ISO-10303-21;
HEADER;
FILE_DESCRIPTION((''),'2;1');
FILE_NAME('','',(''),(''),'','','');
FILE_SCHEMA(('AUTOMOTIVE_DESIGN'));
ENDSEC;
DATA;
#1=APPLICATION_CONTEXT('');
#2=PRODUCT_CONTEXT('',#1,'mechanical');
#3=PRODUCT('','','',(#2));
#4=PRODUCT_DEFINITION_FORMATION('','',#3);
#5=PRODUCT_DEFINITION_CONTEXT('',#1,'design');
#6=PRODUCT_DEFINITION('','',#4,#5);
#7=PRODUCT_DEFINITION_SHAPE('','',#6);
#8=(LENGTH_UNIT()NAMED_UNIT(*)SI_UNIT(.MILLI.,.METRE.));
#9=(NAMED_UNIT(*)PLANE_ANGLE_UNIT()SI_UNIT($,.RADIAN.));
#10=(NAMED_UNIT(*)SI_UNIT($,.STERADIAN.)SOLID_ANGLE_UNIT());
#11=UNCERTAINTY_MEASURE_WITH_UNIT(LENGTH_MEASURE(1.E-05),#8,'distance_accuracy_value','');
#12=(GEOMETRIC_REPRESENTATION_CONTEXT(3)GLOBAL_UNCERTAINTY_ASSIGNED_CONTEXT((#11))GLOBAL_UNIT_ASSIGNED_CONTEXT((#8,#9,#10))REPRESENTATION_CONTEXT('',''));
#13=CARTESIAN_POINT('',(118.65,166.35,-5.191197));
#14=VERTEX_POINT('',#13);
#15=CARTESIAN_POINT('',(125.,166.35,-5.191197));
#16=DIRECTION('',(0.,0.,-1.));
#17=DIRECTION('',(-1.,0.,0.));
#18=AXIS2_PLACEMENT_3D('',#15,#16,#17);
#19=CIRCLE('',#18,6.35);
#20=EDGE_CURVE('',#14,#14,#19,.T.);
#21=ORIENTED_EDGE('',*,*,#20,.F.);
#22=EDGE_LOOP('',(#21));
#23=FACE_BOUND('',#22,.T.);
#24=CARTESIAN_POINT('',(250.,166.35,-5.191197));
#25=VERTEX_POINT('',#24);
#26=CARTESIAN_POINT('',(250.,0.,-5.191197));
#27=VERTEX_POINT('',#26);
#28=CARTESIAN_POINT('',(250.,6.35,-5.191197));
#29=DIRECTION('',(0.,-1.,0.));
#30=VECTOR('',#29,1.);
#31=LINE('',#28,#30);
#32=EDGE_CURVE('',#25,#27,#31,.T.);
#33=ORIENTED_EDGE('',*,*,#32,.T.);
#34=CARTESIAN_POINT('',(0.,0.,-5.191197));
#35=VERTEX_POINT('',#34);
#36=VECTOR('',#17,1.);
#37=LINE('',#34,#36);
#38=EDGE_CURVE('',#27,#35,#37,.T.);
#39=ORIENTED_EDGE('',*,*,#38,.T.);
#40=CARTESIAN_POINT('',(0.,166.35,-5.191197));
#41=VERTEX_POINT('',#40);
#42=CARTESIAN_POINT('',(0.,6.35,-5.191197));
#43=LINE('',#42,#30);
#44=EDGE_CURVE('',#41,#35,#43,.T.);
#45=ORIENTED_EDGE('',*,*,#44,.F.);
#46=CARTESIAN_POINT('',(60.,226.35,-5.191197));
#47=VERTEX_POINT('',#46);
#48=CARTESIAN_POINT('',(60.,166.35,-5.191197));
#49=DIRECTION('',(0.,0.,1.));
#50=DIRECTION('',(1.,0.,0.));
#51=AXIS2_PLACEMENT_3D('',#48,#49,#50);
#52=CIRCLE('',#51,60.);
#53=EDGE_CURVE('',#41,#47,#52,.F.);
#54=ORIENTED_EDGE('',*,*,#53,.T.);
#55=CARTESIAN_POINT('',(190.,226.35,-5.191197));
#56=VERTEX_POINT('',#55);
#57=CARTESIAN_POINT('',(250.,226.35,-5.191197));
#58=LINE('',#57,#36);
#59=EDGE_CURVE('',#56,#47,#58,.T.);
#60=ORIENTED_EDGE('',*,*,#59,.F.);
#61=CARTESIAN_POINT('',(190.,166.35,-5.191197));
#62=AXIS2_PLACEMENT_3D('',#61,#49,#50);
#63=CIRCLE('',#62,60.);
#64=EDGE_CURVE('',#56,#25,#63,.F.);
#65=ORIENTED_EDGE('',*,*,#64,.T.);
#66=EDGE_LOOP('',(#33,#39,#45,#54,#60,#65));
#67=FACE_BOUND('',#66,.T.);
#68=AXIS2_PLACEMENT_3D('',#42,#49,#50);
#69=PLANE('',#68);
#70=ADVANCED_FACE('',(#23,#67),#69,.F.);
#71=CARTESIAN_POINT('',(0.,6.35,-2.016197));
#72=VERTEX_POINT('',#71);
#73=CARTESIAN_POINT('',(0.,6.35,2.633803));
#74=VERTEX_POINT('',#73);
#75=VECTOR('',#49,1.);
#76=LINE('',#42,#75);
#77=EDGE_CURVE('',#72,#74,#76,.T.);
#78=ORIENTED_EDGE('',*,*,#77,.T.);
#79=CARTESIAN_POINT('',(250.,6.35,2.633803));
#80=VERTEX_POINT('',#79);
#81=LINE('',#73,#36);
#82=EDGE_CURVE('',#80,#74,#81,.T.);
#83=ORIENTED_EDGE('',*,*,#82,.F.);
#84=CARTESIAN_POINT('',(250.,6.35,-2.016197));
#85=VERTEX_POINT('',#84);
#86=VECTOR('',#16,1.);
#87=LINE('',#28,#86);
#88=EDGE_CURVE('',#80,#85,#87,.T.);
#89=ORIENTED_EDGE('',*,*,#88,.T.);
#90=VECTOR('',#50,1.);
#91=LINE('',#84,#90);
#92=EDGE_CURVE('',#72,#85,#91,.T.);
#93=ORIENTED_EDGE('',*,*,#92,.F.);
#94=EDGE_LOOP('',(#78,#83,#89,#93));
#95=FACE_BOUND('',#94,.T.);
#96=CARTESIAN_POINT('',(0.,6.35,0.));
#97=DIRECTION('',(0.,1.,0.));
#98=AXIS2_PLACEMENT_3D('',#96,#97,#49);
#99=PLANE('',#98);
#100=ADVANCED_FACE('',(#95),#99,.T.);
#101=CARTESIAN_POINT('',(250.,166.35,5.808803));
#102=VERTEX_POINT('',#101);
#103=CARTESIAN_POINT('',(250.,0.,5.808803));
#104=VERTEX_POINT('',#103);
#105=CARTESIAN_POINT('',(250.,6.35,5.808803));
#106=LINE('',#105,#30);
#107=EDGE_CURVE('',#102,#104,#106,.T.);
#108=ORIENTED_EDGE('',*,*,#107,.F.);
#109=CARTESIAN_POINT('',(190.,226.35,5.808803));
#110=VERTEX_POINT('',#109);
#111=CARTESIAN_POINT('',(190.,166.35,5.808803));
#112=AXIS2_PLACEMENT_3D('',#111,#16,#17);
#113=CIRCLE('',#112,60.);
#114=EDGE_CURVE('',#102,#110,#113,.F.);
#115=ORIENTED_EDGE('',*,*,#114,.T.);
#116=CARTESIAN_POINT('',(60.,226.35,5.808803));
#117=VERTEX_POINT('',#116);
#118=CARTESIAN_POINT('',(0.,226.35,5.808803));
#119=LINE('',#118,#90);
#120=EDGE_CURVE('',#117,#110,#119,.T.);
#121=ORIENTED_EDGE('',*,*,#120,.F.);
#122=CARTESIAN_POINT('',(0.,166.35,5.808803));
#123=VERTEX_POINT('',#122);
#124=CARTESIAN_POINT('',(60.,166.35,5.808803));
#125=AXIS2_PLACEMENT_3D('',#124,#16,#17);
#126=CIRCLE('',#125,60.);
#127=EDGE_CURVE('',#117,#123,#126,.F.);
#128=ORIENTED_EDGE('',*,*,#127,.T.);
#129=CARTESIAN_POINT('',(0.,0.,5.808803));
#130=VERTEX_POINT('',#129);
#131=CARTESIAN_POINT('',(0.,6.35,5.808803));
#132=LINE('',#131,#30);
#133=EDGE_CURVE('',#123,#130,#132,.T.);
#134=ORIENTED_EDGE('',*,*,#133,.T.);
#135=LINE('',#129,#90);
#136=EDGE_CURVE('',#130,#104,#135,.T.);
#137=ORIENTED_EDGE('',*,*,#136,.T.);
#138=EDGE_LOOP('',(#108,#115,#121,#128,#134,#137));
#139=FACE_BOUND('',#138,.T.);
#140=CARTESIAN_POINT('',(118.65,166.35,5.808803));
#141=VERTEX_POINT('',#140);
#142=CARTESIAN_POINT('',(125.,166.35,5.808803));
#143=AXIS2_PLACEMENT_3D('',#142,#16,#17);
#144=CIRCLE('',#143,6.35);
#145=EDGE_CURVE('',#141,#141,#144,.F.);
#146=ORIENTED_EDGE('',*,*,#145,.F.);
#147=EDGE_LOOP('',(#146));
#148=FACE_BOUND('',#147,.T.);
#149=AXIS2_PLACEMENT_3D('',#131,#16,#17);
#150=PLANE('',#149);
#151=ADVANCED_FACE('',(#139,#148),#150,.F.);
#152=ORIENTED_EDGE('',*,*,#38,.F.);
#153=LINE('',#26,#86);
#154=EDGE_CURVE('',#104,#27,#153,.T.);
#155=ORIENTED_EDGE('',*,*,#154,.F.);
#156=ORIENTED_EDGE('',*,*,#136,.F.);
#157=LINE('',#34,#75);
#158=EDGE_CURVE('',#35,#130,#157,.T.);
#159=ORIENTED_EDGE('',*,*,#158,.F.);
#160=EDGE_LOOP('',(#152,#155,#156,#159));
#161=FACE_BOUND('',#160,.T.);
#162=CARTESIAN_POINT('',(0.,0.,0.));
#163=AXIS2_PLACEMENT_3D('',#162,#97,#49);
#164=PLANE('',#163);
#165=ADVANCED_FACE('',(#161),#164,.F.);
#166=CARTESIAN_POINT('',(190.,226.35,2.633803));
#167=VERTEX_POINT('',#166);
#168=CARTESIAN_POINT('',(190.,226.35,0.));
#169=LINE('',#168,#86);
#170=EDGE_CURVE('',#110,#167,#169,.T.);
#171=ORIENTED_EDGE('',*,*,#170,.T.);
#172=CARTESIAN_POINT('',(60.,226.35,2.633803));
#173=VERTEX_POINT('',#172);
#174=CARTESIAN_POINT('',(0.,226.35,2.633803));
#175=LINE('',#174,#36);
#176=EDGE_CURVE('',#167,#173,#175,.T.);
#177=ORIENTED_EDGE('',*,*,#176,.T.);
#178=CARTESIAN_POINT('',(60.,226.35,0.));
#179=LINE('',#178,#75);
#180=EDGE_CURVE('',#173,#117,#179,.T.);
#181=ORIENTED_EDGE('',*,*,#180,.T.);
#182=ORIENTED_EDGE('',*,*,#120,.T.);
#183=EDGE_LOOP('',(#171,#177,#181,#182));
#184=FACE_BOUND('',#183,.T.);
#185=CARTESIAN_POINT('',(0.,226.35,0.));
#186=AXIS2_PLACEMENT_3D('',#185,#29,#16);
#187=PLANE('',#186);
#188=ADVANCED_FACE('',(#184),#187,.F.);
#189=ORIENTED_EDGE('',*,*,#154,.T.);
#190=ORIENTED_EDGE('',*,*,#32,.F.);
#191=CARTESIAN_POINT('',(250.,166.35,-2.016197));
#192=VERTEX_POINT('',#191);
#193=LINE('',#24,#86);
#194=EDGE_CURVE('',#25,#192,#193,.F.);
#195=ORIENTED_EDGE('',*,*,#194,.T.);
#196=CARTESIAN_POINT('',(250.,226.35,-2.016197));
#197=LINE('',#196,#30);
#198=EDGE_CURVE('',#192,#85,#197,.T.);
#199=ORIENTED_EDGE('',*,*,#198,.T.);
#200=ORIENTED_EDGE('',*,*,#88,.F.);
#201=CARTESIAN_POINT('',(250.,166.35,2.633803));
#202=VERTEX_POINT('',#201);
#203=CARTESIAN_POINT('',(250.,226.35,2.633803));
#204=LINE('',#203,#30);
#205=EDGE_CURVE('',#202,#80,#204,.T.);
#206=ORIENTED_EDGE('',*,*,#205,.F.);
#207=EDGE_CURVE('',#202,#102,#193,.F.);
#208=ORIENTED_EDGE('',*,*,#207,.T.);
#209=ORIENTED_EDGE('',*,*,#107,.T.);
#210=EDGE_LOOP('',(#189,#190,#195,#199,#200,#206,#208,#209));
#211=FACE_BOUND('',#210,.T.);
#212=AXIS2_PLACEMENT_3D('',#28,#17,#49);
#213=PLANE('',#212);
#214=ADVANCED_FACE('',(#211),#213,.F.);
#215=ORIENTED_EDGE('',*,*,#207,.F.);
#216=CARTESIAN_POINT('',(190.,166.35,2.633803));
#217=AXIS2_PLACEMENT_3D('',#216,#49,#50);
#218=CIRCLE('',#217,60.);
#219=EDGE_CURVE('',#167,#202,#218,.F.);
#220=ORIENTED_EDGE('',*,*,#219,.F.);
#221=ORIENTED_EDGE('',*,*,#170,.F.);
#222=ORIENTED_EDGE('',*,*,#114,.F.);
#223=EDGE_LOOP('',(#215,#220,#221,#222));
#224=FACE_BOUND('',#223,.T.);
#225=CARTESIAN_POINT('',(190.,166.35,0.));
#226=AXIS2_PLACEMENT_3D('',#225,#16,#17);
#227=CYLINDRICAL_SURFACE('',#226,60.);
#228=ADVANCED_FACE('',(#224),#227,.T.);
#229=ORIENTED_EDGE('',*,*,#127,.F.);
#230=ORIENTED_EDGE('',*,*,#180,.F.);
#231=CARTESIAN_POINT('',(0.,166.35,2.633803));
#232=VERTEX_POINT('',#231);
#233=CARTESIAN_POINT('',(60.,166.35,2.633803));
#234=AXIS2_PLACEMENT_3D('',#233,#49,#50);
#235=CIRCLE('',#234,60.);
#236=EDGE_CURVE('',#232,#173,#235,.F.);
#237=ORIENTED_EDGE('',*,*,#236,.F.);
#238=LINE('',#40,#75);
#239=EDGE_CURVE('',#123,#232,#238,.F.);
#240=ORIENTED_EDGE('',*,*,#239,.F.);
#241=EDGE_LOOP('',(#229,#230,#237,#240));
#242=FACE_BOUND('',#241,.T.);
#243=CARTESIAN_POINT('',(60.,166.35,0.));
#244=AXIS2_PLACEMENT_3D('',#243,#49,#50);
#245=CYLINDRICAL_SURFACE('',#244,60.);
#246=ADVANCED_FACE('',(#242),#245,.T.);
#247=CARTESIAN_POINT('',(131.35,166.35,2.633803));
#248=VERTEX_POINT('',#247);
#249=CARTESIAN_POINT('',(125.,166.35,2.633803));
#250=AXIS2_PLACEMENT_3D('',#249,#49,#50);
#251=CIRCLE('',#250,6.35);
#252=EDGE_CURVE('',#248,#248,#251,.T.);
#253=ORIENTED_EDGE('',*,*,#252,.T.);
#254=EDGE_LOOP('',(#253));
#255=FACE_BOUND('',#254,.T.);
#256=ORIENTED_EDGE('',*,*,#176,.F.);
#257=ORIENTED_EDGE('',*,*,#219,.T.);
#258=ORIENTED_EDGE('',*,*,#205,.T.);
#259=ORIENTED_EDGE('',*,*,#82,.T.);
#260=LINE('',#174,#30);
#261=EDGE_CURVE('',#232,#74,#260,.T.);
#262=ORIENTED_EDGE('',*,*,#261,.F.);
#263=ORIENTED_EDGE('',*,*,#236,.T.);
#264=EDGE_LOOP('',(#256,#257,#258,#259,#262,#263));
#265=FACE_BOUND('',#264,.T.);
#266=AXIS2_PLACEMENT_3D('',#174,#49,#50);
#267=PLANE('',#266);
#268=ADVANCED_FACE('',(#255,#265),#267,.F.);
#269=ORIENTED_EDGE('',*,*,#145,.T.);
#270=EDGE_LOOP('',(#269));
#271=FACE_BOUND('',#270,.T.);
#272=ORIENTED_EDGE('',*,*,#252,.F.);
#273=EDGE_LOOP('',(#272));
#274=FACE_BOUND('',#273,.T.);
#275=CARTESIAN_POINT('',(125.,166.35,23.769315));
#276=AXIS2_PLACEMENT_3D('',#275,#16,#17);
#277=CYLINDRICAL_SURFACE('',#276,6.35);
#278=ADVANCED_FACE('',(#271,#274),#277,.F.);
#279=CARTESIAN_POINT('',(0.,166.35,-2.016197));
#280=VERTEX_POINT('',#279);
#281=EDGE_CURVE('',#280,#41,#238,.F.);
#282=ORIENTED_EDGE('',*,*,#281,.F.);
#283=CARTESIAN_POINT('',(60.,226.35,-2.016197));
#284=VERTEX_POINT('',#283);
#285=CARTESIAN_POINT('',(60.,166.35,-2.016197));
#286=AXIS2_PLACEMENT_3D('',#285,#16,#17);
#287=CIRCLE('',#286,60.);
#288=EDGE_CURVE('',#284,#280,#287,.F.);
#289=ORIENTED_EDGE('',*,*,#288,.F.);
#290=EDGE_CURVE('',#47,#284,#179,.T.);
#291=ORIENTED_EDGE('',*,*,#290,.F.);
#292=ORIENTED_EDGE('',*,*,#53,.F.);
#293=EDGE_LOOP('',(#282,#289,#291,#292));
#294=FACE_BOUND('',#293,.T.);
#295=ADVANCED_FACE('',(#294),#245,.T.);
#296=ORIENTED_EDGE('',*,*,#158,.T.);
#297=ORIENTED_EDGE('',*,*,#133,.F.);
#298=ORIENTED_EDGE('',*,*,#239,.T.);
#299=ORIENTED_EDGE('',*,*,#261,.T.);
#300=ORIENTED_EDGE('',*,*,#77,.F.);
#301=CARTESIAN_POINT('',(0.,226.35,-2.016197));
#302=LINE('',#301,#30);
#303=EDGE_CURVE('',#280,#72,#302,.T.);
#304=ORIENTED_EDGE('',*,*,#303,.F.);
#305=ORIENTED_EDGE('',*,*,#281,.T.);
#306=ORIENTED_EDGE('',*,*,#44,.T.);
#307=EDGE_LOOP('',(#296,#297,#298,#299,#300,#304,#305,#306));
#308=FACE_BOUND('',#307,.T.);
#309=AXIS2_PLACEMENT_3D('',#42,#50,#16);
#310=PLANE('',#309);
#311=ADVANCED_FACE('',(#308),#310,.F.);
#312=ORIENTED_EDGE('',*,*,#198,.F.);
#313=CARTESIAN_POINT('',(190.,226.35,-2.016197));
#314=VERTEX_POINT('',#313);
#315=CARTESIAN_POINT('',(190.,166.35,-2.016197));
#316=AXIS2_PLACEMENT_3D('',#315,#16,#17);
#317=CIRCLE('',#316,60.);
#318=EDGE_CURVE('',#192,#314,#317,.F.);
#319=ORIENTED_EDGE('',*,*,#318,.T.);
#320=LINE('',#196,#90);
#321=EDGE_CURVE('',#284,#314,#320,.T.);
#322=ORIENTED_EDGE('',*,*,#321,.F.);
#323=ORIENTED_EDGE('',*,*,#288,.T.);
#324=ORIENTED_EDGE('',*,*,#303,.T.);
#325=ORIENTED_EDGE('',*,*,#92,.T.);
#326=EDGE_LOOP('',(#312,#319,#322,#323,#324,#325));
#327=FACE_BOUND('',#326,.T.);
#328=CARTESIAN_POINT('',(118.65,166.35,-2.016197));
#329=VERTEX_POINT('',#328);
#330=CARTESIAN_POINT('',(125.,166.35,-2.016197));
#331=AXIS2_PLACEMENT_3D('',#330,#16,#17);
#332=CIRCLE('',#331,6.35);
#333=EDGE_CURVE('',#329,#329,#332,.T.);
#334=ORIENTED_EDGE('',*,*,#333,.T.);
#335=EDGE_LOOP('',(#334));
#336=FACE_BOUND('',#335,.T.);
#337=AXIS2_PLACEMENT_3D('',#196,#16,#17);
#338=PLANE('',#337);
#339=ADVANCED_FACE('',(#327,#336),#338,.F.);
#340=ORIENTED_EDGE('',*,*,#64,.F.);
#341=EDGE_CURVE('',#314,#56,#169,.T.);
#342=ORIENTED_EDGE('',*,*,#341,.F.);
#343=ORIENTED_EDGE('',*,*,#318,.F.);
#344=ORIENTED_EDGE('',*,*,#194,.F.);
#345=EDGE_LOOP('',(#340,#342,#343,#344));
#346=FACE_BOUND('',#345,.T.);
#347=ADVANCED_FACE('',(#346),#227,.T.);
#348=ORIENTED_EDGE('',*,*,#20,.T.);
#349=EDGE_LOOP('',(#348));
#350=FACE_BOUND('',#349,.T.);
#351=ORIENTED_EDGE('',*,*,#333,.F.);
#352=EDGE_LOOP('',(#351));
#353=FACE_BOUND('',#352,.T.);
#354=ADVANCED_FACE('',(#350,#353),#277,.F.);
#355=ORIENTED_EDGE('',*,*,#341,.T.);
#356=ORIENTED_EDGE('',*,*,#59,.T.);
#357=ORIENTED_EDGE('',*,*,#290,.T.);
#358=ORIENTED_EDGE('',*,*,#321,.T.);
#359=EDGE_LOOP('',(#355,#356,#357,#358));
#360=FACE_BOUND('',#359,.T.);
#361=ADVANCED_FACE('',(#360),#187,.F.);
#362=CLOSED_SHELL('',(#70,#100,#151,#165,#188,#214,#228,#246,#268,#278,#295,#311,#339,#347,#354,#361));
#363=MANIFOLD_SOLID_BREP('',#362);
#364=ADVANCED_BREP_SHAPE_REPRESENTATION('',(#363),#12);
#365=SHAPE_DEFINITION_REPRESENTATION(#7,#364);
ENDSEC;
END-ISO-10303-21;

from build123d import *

# Parameters (mm, degrees)
CROQUIS1_W              = 250
CROQUIS1_H              = 11
SALIENTE_EXTRUIR1_DEPTH = 6.35
CROQUIS2_W              = 250
CROQUIS2_H              = 3.175
SALIENTE_EXTRUIR2_DEPTH = 220
REDONDEO1_R             = 60
CROQUIS4_R              = 6.35
CORTAR_EXTRUIR1_DEPTH   = 11


with BuildPart() as part:
    # Croquis1 → Saliente-Extruir1 (new body)
    with BuildSketch(Plane(origin=(0, 0, 0), x_dir=(1, 0, 0), z_dir=(0, 1, 0))):
        with Locations((125, -0.308803141)):
            Rectangle(CROQUIS1_W, CROQUIS1_H)
    extrude(amount=SALIENTE_EXTRUIR1_DEPTH)

    # Croquis2 → Saliente-Extruir2 (add)
    with BuildSketch(Plane(origin=(0, 6.35, 0), x_dir=(1, 0, 0), z_dir=(0, 1, 0))):
        with Locations((125, 3.603696859)):
            Rectangle(CROQUIS2_W, CROQUIS2_H)
        with Locations((125, -4.221303141)):
            Rectangle(CROQUIS2_W, CROQUIS2_H)
    extrude(amount=SALIENTE_EXTRUIR2_DEPTH)

    # Redondeo1
    redondeo1_edges = [part.edges().sort_by_distance(p)[0] for p in [
        (250, 226.35, -3.603696859),
        (0, 226.35, -3.603696859),
        (0, 226.35, 4.221303141),
        (250, 226.35, 4.221303141),
    ]]
    fillet(redondeo1_edges, radius=REDONDEO1_R)

    # Croquis4 → Cortar-Extruir1 (cut)
    with BuildSketch(Plane(origin=(0, 0, -5.191196859), x_dir=(-1, 0, 0), z_dir=(0, 0, -1))):
        with Locations((-125, 166.35)):
            Circle(CROQUIS4_R)
    extrude(amount=-CORTAR_EXTRUIR1_DEPTH, mode=Mode.SUBTRACT)


solid = part.part
